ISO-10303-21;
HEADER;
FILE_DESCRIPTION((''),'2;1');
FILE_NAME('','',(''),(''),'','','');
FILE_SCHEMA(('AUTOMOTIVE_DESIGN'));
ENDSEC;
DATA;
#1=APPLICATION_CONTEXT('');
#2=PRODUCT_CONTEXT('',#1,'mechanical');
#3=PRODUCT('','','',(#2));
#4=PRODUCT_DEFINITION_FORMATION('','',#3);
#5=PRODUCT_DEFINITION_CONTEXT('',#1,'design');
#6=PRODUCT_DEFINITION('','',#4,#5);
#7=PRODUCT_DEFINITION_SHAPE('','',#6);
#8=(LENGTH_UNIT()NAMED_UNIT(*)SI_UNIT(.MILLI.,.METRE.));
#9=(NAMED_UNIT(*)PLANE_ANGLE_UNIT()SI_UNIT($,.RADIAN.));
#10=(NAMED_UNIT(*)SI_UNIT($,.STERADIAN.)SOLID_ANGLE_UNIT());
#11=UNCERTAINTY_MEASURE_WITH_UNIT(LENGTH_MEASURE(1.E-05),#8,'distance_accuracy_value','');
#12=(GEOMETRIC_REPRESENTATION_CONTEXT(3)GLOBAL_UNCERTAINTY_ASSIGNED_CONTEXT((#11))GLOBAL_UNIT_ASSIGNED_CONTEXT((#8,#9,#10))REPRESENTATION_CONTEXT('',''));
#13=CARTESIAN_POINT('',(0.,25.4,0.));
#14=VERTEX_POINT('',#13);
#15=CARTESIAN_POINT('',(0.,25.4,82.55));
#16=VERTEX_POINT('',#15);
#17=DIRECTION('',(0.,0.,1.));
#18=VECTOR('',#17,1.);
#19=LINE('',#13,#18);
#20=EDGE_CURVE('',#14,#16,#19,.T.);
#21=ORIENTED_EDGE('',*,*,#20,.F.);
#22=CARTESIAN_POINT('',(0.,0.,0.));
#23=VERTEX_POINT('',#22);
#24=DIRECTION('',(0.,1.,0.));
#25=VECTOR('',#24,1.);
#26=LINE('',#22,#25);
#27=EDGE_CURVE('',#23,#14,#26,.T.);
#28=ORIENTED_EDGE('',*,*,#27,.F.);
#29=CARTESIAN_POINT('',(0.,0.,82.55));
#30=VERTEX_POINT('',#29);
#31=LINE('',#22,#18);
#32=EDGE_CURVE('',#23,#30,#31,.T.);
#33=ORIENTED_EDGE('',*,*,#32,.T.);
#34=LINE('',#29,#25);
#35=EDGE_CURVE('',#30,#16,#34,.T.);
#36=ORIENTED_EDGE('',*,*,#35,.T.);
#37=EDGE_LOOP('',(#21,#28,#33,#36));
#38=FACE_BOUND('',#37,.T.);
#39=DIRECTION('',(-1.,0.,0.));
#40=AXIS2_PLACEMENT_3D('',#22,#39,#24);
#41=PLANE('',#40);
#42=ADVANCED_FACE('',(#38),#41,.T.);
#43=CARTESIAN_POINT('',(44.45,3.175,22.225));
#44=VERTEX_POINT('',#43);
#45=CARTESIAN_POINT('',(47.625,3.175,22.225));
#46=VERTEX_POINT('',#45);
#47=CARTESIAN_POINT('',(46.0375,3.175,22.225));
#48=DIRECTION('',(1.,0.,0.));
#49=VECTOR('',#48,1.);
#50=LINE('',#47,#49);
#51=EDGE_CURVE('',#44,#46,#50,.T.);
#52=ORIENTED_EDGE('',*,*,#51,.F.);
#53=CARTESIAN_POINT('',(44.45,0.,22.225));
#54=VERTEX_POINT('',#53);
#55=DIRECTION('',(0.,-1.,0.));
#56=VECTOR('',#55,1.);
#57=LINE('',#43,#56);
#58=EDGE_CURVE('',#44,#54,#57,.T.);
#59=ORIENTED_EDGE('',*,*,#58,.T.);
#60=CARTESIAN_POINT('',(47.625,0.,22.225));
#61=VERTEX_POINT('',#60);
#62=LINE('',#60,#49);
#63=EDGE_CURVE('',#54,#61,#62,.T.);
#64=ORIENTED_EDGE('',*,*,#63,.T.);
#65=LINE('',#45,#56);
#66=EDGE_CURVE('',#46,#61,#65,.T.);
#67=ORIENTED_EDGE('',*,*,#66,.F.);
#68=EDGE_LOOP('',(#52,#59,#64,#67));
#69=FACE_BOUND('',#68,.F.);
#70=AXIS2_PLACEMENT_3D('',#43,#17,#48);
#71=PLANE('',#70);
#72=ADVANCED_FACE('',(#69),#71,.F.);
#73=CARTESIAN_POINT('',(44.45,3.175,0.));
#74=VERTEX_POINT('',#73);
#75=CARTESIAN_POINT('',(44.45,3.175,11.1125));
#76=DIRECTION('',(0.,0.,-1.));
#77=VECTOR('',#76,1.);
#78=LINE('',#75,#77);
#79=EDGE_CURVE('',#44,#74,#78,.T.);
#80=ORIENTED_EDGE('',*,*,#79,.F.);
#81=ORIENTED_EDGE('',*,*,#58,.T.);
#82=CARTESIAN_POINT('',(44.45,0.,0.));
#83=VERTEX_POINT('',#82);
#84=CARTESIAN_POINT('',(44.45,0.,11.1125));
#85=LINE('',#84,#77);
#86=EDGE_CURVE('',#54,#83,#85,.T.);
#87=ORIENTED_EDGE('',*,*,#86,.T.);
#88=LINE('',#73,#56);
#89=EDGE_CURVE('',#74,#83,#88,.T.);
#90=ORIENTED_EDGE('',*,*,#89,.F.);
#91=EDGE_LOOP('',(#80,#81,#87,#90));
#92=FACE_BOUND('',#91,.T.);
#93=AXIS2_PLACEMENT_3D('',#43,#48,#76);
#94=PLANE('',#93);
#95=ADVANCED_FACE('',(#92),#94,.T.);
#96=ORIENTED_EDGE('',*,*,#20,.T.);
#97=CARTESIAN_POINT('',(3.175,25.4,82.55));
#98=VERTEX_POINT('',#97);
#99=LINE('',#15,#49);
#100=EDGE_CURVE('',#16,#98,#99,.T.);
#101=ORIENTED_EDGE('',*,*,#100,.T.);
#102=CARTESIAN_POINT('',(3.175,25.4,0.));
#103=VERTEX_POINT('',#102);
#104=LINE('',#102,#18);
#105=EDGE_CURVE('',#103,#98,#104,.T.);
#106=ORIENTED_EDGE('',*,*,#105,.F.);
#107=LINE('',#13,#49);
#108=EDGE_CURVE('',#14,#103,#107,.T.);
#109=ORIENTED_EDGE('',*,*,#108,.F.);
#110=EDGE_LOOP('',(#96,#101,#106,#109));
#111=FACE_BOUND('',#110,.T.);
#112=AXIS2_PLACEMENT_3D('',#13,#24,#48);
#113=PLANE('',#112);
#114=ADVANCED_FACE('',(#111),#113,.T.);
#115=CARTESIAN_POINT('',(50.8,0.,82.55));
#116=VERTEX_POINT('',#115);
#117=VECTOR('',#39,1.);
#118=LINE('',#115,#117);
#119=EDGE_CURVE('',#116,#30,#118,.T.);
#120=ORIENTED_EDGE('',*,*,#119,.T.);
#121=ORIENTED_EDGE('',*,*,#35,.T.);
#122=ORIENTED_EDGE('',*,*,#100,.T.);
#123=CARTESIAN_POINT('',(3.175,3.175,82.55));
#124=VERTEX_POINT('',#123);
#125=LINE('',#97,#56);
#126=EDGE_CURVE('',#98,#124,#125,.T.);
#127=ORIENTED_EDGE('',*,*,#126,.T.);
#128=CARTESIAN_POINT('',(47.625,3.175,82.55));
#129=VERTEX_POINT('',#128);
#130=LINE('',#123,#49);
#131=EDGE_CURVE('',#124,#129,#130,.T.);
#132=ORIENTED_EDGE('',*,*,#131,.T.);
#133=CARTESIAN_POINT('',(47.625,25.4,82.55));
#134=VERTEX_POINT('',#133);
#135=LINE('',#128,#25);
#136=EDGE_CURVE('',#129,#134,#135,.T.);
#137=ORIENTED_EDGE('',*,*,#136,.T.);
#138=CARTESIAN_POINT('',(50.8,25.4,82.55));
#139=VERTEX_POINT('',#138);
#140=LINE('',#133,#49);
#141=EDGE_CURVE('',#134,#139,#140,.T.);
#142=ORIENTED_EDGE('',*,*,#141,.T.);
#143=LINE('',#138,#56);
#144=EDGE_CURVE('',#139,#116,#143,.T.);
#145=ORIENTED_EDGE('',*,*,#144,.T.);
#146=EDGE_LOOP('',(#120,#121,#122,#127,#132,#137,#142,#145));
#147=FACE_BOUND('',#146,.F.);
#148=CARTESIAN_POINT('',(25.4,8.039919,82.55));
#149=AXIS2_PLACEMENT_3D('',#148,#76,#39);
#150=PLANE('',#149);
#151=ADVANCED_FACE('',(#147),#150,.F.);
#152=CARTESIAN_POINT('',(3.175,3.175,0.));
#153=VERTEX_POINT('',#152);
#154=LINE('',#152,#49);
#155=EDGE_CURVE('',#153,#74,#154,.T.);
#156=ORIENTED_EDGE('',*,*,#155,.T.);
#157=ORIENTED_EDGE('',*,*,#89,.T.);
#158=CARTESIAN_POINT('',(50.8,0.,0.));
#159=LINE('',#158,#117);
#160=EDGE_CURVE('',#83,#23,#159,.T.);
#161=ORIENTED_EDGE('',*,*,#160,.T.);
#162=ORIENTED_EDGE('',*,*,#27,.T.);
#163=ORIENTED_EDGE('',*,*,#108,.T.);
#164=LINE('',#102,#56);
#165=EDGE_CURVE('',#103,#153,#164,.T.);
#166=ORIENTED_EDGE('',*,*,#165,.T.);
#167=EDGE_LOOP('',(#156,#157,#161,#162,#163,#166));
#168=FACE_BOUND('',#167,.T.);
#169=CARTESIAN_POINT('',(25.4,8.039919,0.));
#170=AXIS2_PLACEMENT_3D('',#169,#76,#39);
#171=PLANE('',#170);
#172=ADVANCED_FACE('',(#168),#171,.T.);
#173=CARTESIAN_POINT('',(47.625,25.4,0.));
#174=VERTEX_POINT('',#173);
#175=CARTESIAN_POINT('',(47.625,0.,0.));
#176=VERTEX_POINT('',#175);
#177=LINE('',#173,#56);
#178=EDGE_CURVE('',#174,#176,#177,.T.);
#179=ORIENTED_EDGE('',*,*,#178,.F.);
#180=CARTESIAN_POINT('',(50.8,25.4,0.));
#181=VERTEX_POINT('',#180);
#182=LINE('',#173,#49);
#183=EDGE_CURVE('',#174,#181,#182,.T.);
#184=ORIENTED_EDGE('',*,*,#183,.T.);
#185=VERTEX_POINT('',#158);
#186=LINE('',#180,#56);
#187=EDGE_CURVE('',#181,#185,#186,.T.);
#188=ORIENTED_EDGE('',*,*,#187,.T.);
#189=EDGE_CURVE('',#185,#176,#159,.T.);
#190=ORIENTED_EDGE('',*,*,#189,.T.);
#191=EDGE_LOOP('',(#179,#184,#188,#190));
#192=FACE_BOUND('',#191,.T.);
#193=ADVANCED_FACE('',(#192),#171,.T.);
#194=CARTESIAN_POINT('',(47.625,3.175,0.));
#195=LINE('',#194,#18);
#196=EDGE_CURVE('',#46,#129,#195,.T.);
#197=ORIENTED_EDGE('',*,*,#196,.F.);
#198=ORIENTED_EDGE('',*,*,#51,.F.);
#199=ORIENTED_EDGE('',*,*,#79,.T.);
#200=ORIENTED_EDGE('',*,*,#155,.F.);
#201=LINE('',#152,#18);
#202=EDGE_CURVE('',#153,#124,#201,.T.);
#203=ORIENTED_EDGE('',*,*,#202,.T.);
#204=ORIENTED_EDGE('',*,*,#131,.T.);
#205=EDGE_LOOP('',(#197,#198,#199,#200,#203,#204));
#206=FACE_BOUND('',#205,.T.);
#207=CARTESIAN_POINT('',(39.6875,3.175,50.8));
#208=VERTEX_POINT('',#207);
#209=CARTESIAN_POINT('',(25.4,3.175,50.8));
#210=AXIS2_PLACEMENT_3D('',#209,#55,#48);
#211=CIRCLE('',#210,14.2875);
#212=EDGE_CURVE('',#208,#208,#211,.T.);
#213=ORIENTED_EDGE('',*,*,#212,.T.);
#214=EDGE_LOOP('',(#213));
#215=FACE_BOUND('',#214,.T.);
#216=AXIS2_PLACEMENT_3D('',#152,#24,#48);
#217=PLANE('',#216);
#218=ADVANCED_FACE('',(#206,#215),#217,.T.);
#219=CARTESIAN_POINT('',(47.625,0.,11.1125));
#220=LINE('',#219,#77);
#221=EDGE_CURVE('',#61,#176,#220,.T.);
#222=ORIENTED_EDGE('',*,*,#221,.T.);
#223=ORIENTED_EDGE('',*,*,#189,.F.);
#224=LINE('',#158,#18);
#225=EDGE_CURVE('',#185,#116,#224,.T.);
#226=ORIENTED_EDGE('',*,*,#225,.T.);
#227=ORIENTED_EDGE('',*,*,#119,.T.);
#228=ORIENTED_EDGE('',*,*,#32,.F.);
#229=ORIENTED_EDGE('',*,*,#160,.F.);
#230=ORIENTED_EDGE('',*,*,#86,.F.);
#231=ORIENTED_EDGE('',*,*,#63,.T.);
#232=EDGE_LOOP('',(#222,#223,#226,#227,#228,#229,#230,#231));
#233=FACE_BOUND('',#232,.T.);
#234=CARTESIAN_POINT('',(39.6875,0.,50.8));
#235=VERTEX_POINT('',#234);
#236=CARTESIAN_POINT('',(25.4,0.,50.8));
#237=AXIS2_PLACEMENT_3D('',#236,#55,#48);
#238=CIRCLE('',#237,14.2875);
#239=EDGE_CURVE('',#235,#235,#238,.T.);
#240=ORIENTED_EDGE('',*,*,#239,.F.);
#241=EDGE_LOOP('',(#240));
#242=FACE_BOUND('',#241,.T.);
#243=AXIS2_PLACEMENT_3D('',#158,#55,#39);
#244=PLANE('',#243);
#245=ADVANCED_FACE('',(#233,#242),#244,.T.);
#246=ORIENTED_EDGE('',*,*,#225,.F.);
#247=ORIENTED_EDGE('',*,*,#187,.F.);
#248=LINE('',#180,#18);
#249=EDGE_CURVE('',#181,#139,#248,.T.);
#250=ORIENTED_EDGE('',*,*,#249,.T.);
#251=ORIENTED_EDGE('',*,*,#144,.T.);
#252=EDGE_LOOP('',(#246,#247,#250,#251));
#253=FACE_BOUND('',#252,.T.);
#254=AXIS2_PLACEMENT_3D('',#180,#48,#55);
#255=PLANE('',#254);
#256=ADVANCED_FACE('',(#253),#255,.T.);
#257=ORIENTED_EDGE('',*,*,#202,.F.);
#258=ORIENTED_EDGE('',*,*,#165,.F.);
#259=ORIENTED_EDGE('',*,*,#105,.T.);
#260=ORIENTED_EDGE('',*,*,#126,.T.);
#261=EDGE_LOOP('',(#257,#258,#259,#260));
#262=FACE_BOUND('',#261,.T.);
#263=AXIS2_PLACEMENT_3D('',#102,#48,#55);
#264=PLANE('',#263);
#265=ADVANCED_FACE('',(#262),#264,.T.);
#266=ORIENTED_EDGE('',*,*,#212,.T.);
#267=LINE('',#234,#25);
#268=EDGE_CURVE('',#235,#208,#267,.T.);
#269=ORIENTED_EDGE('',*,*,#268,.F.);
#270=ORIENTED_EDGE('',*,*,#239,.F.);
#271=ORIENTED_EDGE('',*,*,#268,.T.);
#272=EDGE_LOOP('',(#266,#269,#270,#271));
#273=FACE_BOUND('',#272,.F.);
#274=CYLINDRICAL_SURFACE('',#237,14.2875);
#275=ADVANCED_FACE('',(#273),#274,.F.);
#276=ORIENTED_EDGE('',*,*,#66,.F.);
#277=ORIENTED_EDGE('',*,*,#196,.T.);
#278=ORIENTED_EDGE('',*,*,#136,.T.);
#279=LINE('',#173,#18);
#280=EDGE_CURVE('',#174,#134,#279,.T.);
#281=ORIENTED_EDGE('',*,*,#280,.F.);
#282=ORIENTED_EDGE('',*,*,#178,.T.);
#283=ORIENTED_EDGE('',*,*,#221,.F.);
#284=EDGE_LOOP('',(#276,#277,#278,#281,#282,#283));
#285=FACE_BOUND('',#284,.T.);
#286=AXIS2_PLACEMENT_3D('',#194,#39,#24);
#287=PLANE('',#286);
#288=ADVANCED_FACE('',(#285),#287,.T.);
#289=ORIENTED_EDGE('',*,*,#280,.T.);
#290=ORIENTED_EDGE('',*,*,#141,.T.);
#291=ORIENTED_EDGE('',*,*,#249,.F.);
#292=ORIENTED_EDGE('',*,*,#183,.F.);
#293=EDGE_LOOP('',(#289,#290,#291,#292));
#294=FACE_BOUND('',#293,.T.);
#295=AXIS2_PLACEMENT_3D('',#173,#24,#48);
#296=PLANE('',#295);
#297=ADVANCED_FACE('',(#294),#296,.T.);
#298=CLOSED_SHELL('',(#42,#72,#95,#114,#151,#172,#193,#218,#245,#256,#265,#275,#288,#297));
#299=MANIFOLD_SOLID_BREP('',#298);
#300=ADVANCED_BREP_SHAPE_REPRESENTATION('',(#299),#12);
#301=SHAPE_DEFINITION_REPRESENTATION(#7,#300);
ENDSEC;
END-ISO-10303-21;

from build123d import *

# Parameters (mm, degrees)
BOSS_EXTRUDE1_DEPTH = 82.55
CUT_EXTRUDE1_REACH  = 27.4
SKETCH2_R           = 14.2875
CUT_EXTRUDE2_REACH  = 5.175
SKETCH3_W           = 3.175
SKETCH3_H           = 22.225


with BuildPart() as part:
    # Sketch1 → Boss-Extrude1 (new body)
    with BuildSketch(Plane.XY):
        Polygon((47.625, 3.175), (47.625, 25.4), (50.8, 25.4), (50.8, 0), (0, 0), (0, 25.4), (3.175, 25.4), (3.175, 3.175), align=None)
    extrude(amount=BOSS_EXTRUDE1_DEPTH)

    # Sketch2 → Cut-Extrude1 (cut, up to next)
    with BuildSketch(Plane.XZ, mode=Mode.PRIVATE) as cut_extrude1_sk1:
        with Locations((25.4, 50.8)):
            Circle(SKETCH2_R)
    cut_extrude1_tool1 = extrude(cut_extrude1_sk1.sketch, amount=-CUT_EXTRUDE1_REACH, mode=Mode.PRIVATE) & part.part
    add(cut_extrude1_tool1.solids().sort_by_distance((25.4, 0, 50.8))[0], mode=Mode.SUBTRACT)

    # Sketch3 → Cut-Extrude2 (cut, up to next)
    with BuildSketch(Plane(origin=(0, 3.175, 0), x_dir=(1, 0, 0), z_dir=(0, 1, 0)), mode=Mode.PRIVATE) as cut_extrude2_sk1:
        with Locations((46.0375, -11.1125)):
            Rectangle(SKETCH3_W, SKETCH3_H)
    cut_extrude2_tool1 = extrude(cut_extrude2_sk1.sketch, amount=-CUT_EXTRUDE2_REACH, mode=Mode.PRIVATE) & part.part
    add(cut_extrude2_tool1.solids().sort_by_distance((46.0375, 3.175, 11.1125))[0], mode=Mode.SUBTRACT)


solid = part.part
